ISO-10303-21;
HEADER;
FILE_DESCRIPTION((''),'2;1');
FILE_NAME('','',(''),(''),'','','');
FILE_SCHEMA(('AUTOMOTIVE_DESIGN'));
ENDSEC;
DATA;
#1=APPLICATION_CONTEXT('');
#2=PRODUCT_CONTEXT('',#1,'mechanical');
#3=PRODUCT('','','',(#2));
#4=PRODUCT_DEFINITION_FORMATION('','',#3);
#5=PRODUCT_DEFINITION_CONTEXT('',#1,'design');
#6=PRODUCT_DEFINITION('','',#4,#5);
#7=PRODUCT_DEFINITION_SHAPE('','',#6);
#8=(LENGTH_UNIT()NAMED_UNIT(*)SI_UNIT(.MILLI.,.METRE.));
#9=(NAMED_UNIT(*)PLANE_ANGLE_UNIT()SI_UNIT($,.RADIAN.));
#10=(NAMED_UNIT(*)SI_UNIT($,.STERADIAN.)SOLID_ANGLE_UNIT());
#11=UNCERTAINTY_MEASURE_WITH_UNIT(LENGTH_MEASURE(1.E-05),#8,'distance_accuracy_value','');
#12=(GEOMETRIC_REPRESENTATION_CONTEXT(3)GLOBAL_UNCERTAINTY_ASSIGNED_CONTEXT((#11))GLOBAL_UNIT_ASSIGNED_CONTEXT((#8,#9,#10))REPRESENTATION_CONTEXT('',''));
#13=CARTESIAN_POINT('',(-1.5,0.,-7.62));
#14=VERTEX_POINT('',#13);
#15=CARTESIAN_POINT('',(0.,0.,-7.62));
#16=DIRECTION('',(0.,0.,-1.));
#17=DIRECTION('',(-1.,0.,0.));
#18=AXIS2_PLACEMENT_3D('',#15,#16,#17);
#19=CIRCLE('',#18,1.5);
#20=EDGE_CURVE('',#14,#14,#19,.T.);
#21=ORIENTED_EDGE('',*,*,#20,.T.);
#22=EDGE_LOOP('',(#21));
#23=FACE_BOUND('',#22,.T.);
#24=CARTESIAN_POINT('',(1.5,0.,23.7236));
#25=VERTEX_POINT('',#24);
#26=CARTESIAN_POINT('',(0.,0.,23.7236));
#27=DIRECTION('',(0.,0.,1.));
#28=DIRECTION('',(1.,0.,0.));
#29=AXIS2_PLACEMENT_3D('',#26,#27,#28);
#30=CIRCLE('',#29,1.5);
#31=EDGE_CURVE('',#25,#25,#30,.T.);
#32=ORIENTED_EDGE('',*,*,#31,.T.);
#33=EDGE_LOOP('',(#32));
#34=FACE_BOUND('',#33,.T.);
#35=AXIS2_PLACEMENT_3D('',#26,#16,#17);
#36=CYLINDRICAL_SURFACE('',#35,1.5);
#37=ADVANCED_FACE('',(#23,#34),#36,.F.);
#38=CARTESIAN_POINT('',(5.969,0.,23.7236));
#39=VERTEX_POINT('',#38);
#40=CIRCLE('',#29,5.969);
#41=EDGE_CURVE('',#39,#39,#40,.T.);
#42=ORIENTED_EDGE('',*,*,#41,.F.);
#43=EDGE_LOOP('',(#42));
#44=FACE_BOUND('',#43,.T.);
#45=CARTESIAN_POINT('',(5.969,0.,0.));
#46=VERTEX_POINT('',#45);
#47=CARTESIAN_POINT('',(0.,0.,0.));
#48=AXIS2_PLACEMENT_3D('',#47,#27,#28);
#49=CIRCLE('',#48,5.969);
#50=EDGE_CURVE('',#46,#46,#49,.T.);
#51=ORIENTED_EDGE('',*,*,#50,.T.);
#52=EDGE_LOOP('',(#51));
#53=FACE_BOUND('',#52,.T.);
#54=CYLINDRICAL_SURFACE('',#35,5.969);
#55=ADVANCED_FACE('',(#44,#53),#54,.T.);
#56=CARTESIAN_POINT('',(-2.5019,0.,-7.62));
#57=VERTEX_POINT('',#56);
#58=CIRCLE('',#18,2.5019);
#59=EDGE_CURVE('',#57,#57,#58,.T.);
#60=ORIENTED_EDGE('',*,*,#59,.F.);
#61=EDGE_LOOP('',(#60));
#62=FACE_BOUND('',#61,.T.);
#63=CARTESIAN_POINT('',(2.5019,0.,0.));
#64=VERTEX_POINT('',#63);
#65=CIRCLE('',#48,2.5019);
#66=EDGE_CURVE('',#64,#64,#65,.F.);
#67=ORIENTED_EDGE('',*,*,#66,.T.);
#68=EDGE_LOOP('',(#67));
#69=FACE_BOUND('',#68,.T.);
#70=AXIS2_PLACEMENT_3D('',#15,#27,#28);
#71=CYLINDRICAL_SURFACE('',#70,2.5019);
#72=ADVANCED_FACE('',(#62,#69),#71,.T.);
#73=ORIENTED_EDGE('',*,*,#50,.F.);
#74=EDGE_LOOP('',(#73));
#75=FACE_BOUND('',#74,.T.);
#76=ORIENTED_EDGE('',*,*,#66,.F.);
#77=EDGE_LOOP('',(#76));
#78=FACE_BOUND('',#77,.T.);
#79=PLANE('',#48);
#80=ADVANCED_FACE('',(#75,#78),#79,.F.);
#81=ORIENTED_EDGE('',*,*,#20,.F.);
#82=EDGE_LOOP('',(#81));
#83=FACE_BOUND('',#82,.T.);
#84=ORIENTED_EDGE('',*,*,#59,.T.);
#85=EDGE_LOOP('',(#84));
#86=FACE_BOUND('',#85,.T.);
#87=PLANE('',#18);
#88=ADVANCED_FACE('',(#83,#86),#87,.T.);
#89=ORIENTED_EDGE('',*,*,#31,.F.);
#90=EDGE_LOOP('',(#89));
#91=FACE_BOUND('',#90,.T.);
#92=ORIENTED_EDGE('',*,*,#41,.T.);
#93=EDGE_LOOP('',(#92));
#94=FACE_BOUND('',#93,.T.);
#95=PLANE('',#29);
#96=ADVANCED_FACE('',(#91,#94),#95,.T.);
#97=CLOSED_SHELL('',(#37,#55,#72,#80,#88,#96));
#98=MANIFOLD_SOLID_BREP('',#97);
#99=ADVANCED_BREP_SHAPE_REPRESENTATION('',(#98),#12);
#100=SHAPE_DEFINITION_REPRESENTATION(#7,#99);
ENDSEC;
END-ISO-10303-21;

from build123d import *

# Parameters (mm, degrees)
SKETCH1_R      = 5.969
SKETCH1_R_2    = 1.5
EXTRUDE1_DEPTH = 23.7236
SKETCH2_R      = 2.5019
SKETCH2_R_2    = 1.5
EXTRUDE2_DEPTH = 7.62


with BuildPart() as part:
    # Sketch1 → Extrude1 (new body)
    with BuildSketch(Plane.XY):
        Circle(SKETCH1_R)
        Circle(SKETCH1_R_2, mode=Mode.SUBTRACT)
    extrude(amount=EXTRUDE1_DEPTH)

    # Sketch2 → Extrude2 (add)
    with BuildSketch(Plane(origin=(0, 0, 0), x_dir=(-1, 0, 0), z_dir=(0, 0, -1))):
        Circle(SKETCH2_R)
        Circle(SKETCH2_R_2, mode=Mode.SUBTRACT)
    extrude(amount=EXTRUDE2_DEPTH)


solid = part.part
